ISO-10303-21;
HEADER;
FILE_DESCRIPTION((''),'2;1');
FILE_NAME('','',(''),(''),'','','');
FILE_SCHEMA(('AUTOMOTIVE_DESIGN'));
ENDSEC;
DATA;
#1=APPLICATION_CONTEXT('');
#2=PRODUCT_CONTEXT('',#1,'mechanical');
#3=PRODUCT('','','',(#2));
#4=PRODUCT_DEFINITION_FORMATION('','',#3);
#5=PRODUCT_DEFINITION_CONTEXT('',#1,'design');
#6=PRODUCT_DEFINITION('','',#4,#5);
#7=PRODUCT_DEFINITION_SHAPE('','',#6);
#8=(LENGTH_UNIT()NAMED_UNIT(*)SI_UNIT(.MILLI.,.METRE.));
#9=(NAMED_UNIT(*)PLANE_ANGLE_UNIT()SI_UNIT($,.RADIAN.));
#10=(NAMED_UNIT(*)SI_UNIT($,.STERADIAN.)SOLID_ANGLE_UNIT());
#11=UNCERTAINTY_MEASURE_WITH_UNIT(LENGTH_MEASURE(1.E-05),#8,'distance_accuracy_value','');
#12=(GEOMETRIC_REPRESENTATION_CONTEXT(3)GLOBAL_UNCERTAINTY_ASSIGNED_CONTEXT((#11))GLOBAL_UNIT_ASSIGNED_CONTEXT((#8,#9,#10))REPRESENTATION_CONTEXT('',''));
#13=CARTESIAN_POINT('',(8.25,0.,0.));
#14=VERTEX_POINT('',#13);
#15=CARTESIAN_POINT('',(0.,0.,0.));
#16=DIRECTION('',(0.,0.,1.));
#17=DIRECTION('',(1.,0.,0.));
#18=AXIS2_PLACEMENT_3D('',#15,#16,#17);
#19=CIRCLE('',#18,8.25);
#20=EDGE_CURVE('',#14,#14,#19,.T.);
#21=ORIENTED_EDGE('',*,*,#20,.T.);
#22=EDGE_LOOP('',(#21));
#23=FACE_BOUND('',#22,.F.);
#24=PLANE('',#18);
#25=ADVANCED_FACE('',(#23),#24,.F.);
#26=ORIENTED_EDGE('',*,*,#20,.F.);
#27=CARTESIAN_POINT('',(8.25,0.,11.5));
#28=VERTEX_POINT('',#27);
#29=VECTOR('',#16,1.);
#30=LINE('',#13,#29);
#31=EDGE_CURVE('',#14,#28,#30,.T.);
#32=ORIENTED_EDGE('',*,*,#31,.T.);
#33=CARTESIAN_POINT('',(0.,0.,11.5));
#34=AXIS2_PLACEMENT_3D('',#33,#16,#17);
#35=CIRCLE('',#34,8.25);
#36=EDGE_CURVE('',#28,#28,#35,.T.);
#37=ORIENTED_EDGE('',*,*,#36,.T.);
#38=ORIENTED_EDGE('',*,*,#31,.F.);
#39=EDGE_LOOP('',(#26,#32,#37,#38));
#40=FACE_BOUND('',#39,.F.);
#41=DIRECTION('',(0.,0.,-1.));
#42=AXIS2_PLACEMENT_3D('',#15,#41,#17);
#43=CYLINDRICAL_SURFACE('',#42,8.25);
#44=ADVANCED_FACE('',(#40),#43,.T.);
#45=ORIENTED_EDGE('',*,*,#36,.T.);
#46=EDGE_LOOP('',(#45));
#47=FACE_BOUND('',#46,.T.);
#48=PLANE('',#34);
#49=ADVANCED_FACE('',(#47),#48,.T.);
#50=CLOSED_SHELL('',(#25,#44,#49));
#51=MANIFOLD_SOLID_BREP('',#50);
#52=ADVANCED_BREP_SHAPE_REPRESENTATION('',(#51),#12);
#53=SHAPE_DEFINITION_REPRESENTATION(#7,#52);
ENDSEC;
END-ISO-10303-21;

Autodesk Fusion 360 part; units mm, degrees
sketch "Sketch1" plane through (0, 0, 0) normal (0, 0, 1) x (1, 0, 0)
  circle A0 centre (0, 0) radius 8.25
  dimension "d1" = 16.5
extrude "Extrude1" add sketch "Sketch1" along normal blind 11.5
